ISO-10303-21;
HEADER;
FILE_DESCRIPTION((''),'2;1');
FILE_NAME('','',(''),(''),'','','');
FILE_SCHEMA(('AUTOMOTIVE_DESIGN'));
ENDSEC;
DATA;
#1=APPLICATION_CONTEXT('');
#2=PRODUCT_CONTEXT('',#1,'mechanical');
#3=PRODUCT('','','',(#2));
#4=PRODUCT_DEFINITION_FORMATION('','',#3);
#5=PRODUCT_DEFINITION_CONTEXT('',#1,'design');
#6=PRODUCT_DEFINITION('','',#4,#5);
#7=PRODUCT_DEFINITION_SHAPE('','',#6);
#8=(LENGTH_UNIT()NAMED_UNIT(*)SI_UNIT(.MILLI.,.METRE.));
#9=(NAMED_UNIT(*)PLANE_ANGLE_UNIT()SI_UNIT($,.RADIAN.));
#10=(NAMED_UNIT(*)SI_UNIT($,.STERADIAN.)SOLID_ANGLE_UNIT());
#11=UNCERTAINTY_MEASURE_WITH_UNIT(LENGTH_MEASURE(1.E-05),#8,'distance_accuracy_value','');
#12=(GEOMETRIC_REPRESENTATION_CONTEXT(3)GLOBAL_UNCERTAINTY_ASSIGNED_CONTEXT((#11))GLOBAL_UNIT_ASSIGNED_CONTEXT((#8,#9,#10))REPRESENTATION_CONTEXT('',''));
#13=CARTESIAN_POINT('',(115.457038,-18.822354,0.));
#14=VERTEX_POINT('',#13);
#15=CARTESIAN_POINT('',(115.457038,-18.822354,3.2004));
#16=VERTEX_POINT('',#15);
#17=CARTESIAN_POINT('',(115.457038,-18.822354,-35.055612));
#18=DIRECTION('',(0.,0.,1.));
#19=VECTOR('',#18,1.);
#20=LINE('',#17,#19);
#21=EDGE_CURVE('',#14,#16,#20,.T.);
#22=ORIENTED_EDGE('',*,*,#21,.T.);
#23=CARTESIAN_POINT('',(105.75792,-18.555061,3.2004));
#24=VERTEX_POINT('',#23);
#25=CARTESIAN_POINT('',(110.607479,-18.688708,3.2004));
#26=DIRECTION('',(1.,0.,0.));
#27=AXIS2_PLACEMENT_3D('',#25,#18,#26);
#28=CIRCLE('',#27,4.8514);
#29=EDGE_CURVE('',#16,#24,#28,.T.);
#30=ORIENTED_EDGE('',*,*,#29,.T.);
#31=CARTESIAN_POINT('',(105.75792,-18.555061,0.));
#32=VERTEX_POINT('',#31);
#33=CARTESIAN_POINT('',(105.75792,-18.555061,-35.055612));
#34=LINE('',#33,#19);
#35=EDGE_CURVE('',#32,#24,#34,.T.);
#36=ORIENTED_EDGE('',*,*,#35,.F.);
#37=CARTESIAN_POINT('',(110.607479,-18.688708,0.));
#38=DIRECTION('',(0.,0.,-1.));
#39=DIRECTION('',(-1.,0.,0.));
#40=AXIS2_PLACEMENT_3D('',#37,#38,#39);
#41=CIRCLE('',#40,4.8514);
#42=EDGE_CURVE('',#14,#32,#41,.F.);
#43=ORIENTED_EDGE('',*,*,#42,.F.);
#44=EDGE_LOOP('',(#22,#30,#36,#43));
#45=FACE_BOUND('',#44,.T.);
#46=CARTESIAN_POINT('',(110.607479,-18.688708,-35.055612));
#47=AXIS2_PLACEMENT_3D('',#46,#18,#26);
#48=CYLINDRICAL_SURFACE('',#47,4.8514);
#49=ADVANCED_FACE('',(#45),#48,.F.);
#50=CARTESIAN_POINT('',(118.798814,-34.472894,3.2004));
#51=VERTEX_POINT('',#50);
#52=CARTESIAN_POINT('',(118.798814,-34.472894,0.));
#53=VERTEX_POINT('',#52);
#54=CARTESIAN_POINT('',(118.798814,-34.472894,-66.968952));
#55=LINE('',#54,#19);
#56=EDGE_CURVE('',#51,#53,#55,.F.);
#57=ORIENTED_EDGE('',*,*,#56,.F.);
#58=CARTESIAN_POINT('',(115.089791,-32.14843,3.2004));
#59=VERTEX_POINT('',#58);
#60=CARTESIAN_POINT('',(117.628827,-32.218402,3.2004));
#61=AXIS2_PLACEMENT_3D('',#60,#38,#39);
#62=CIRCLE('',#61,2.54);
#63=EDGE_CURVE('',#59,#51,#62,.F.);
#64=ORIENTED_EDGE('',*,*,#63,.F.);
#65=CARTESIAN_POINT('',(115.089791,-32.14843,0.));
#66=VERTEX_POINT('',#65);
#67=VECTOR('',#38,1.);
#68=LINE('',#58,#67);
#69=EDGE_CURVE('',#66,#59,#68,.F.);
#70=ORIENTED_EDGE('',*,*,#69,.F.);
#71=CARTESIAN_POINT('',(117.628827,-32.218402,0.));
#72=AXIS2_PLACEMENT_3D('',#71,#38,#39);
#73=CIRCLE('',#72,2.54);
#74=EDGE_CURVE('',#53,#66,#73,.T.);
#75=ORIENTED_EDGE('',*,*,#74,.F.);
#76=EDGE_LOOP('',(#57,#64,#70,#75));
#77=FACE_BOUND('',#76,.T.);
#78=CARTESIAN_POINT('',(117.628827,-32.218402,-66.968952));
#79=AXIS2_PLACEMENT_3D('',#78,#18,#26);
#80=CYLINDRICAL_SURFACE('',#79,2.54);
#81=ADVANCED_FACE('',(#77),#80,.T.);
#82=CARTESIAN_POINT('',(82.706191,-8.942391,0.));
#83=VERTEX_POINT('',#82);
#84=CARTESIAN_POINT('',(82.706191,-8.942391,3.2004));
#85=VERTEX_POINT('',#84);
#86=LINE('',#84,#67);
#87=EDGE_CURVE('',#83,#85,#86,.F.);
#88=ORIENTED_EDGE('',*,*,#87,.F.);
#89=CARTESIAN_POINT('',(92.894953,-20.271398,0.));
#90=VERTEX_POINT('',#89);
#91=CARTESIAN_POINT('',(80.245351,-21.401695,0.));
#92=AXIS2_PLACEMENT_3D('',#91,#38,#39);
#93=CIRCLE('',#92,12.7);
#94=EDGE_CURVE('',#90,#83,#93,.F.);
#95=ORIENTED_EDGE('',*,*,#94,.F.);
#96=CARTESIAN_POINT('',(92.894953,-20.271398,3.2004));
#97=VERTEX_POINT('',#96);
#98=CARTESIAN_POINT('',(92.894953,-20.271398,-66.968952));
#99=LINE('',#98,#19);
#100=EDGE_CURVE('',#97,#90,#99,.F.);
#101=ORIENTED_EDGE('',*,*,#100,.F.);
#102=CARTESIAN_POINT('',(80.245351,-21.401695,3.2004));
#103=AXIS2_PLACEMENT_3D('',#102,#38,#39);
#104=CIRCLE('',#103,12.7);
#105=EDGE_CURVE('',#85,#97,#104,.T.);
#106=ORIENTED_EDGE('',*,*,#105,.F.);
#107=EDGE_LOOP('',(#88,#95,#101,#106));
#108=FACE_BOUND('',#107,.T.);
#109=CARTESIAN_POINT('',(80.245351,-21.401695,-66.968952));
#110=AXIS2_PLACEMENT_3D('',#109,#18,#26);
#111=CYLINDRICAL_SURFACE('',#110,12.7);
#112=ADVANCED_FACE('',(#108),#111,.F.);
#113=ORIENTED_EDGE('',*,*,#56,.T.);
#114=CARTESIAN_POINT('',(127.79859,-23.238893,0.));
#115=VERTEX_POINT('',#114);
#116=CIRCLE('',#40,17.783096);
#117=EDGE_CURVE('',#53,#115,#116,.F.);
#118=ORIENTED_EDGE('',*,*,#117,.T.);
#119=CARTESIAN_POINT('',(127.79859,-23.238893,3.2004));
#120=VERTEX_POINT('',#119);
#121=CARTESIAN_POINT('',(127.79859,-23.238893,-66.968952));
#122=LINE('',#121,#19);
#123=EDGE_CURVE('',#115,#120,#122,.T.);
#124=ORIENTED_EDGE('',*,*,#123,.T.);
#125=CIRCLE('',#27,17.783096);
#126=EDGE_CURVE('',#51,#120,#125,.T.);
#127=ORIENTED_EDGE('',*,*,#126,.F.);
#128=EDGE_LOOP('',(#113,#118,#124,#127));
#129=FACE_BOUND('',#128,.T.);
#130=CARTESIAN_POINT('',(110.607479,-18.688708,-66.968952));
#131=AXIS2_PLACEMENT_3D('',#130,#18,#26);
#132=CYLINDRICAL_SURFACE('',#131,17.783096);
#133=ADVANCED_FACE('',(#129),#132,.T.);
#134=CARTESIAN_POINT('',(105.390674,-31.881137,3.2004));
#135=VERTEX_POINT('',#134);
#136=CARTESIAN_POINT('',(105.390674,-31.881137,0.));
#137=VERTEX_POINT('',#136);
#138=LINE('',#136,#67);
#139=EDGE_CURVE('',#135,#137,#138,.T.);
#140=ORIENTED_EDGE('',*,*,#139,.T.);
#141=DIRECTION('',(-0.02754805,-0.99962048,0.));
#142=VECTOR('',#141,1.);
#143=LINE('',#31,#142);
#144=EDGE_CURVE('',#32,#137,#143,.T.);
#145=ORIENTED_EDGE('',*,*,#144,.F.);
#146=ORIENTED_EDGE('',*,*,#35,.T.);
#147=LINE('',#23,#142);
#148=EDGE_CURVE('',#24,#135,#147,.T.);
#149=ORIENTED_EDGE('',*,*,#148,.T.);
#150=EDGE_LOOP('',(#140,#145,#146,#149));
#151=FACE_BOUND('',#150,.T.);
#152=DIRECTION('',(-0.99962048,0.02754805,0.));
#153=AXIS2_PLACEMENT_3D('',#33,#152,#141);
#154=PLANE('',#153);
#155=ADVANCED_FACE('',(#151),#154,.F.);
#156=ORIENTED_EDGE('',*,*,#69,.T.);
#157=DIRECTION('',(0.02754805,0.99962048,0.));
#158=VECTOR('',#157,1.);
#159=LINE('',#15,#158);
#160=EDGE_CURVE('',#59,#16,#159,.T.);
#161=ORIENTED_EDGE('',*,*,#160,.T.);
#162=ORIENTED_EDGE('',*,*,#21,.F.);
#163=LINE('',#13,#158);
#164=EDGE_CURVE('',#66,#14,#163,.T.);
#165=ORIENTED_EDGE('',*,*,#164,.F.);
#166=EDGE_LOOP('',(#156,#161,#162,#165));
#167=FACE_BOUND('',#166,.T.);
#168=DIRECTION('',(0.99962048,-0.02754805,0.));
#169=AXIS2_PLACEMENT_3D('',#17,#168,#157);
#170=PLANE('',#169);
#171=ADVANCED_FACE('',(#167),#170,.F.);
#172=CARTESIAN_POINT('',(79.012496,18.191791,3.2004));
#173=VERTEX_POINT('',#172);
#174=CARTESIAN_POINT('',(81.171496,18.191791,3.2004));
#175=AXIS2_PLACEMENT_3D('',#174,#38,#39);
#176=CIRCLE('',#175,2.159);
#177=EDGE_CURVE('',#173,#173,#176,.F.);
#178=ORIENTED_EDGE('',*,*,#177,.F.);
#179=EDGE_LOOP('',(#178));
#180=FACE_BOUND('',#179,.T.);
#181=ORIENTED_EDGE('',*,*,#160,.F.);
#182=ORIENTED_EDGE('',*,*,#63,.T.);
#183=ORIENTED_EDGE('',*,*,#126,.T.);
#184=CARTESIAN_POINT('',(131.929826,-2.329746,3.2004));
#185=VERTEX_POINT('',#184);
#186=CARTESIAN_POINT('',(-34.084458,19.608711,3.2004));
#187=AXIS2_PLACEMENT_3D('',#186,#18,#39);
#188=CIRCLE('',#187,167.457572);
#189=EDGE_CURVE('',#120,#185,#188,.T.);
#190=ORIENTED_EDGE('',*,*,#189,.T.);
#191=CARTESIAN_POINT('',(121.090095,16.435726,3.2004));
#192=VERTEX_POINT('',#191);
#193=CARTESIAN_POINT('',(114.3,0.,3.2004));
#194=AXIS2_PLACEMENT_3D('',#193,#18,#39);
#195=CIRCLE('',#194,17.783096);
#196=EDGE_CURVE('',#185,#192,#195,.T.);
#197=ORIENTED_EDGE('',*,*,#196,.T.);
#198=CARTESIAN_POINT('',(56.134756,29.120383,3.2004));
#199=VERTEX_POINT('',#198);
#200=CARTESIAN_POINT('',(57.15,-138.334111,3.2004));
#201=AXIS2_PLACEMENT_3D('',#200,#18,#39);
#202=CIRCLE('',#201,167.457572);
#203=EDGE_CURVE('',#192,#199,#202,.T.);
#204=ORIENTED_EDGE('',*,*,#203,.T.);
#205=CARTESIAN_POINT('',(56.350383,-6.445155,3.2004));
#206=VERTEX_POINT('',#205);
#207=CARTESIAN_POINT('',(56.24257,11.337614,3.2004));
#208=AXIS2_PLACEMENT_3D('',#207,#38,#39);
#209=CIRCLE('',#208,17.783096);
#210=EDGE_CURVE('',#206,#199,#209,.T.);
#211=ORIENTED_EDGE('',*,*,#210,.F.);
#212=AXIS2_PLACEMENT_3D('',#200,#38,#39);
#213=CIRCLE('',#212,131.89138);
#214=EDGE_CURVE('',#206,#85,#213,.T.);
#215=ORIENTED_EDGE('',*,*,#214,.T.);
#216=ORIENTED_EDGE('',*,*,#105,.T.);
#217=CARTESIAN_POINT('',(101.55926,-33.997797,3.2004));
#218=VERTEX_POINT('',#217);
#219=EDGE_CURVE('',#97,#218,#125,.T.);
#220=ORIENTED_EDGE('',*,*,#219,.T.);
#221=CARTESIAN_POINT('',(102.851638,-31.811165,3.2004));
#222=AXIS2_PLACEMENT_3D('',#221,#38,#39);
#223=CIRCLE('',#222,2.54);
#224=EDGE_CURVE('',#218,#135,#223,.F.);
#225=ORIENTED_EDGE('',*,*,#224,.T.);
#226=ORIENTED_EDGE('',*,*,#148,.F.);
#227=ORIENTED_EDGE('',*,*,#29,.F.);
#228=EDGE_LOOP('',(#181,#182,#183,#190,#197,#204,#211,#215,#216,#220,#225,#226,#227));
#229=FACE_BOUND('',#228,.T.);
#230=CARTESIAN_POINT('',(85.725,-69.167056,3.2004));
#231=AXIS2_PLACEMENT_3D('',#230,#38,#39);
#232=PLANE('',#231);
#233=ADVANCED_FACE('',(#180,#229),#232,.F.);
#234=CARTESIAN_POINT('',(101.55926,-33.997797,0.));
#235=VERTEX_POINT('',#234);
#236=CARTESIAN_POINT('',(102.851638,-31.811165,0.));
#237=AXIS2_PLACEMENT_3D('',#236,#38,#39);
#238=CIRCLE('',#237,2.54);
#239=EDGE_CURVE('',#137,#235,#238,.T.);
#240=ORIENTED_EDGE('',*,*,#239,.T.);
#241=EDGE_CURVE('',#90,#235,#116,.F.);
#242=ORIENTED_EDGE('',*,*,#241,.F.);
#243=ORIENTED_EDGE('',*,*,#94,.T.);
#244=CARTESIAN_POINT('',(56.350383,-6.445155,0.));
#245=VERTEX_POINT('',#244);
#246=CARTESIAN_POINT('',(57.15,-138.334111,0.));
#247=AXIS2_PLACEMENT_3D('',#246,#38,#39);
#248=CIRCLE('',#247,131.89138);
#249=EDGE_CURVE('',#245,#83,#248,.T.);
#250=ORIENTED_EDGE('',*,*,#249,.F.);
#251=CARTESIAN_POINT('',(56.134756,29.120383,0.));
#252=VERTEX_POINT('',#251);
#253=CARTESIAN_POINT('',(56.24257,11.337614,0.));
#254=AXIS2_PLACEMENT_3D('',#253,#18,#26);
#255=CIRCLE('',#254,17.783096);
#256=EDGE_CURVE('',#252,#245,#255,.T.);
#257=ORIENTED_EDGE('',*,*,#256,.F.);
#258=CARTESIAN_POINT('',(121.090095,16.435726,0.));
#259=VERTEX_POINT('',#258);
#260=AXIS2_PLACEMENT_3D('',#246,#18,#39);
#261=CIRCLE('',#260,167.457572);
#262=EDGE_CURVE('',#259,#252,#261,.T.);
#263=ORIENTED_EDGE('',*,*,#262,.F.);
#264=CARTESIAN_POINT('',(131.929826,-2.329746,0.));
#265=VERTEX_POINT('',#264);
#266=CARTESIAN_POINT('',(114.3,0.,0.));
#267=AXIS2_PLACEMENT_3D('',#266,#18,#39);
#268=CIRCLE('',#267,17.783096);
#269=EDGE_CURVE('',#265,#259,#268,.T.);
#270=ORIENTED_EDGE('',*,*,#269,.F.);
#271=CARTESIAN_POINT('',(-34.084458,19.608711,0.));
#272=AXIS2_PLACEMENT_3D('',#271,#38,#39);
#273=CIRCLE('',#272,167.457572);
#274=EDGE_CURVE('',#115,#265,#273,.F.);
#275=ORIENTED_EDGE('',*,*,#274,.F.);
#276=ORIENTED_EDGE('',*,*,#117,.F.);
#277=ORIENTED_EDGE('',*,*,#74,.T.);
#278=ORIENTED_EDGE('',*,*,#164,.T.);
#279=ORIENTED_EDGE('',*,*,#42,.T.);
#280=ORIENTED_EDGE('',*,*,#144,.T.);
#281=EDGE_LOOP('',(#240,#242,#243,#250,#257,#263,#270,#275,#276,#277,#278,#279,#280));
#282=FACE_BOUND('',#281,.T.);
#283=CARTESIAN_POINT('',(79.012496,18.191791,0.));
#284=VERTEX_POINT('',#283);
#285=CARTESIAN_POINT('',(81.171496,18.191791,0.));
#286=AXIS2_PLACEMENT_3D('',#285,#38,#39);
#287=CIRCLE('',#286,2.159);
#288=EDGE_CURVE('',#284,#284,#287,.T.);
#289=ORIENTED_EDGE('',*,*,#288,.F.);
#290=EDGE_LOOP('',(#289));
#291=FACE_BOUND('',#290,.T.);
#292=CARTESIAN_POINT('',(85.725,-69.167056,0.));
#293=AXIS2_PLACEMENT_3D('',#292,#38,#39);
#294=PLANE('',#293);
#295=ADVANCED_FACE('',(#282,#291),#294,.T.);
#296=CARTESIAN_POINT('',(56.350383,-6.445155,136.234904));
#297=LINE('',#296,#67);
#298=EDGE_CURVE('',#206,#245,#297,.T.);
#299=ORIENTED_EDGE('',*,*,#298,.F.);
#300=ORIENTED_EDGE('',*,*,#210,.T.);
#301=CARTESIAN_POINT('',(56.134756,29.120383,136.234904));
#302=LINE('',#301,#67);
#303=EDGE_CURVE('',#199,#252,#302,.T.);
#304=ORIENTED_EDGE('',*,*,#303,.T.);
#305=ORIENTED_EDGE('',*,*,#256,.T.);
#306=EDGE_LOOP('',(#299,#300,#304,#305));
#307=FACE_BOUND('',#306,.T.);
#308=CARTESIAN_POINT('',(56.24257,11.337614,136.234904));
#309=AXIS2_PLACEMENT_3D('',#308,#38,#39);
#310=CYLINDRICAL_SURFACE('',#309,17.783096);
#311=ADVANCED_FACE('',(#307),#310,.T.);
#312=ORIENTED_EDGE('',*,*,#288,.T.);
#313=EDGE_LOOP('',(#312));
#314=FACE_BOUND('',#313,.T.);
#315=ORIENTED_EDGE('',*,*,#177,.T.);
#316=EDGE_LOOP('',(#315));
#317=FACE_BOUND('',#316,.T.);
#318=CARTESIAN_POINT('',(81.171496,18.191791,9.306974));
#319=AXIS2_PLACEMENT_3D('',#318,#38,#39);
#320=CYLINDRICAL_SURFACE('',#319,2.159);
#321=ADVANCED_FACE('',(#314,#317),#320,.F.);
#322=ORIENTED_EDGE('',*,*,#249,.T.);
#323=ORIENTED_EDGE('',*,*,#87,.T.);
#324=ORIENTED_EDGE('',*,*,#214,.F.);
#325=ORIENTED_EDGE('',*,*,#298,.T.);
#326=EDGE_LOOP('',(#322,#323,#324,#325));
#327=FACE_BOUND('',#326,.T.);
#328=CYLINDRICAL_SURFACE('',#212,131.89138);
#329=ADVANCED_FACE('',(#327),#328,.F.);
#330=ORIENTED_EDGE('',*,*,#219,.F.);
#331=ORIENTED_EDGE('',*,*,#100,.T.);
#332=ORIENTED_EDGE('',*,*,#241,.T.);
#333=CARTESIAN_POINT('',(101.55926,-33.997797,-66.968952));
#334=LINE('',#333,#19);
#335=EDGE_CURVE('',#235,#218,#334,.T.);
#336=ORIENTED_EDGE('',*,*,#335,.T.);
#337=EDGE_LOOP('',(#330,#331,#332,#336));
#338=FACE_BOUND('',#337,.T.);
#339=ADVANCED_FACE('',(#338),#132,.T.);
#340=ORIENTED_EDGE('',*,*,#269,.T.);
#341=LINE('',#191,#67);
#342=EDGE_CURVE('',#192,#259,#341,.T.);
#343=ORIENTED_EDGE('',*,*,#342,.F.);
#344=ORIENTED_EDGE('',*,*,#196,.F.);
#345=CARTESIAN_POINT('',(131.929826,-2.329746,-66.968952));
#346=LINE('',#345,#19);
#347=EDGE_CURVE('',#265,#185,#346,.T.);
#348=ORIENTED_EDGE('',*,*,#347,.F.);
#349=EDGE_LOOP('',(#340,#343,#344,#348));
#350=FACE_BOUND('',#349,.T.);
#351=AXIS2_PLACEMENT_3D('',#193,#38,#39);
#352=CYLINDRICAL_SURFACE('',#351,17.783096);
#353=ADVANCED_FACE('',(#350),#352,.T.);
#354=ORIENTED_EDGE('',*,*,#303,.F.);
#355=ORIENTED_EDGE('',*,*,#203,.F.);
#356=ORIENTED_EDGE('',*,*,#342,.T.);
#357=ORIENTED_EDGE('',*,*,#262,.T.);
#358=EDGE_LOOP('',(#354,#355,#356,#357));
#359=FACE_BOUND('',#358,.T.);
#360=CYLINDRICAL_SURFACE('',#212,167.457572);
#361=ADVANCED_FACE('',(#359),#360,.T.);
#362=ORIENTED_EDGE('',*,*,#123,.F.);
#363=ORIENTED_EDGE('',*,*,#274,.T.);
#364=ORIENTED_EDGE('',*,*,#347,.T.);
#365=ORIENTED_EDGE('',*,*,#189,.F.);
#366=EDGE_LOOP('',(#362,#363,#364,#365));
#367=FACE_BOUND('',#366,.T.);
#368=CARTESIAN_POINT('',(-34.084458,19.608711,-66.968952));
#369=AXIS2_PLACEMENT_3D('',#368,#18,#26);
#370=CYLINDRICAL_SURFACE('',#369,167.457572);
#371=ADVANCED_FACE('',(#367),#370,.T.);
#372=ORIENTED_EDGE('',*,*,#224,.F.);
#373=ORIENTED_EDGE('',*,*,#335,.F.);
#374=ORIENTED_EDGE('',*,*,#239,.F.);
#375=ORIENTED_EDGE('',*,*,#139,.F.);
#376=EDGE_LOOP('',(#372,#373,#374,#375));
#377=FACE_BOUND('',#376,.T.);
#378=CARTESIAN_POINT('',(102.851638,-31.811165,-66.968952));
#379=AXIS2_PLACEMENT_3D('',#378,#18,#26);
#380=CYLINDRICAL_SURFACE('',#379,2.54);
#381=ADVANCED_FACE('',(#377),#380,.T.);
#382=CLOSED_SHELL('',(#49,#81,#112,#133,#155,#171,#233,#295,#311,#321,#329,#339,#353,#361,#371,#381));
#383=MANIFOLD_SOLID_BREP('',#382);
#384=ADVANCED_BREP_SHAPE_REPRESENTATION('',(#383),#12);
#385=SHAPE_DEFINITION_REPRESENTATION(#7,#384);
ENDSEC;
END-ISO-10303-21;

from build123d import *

# Parameters (mm, degrees)
BOSS_EXTRUDE1_DEPTH = 3.2004
BOSS_EXTRUDE2_START = -3.2004
BOSS_EXTRUDE2_DEPTH = 3.2004
FILLET1_R           = 12.7
CUT_EXTRUDE3_DEPTH  = 3.2004
FILLET2_R           = 2.54
SKETCH9_R           = 2.159
CUT_EXTRUDE4_DEPTH  = 3.2004
CUT_EXTRUDE5_DEPTH  = 3.2004


with BuildPart() as part:
    # Sketch1 → Boss-Extrude1 (new body)
    with BuildSketch(Plane.XY):
        with BuildLine():
            ThreePointArc((-6.790095085, 16.435726481), (57.15, 29.123460788), (121.090095085, 16.435726481))
            ThreePointArc((121.090095085, 16.435726481), (130.735726481, -6.790095085), (107.509904915, -16.435726481))
            ThreePointArc((107.509904915, -16.435726481), (57.15, -6.442730812), (6.790095085, -16.435726481))
            ThreePointArc((6.790095085, -16.435726481), (-16.435726481, -6.790095085), (-6.790095085, 16.435726481))
        make_face()
    extrude(amount=BOSS_EXTRUDE1_DEPTH)

    # Sketch3 → Boss-Extrude2 (add)
    with BuildSketch(Plane.XY.offset(3.2004).offset(BOSS_EXTRUDE2_START)):
        with BuildLine():
            ThreePointArc((96.670173634, 2.329746452), (116.629746452, 17.629826366), (131.929826366, -2.329746452))
            ThreePointArc((131.929826366, -2.329746452), (130.197200475, -12.850112517), (127.798590387, -23.238893209))
            ThreePointArc((127.798590387, -23.238893209), (106.05729345, -35.879818808), (93.416367852, -14.138521872))
            ThreePointArc((93.416367852, -14.138521872), (95.305538892, -5.956206736), (96.670173634, 2.329746452))
        make_face()
    extrude(amount=BOSS_EXTRUDE2_DEPTH)

    # Fillet1
    fillet1_edges = [part.edges().sort_by_distance(p)[0] for p in [
        (94.035611584, -11.705568295, 1.6002),
    ]]
    fillet(fillet1_edges, radius=FILLET1_R)

    # Sketch7 → Cut-Extrude3 (cut)
    with BuildSketch(Plane.XY.offset(3.2004)):
        with BuildLine():
            Line((115.457037918, -18.822354151), (114.672565979, -47.28804272))
            Line((114.672565979, -47.28804272), (104.973448381, -47.020749498))
            Line((104.973448381, -47.020749498), (105.75792032, -18.55506093))
            ThreePointArc((105.75792032, -18.55506093), (110.74112573, -13.839148742), (115.457037918, -18.822354151))
        make_face()
    extrude(amount=-CUT_EXTRUDE3_DEPTH, mode=Mode.SUBTRACT)

    # Fillet2
    fillet2_edges = [part.edges().sort_by_distance(p)[0] for p in [
        (105.286613182, -35.65711589, 1.6002),
        (114.98573078, -35.924409111, 1.6002),
    ]]
    fillet(fillet2_edges, radius=FILLET2_R)

    # Sketch9 → Cut-Extrude4 (cut)
    with BuildSketch(Plane(origin=(0, 0, 0), x_dir=(-1, 0, 0), z_dir=(0, 0, -1))):
        with Locations((-81.171495532, 18.191790938)):
            Circle(SKETCH9_R)
    extrude(amount=-CUT_EXTRUDE4_DEPTH, mode=Mode.SUBTRACT)

    # Sketch10 → Cut-Extrude5 (cut)
    with BuildSketch(Plane(origin=(0, 0, 0), x_dir=(-1, 0, 0), z_dir=(0, 0, -1))):
        with BuildLine():
            Line((-56.134756458, 29.120383205), (25.761959957, 49.584410296))
            Line((25.761959957, 49.584410296), (33.027370327, -48.953888357))
            Line((33.027370327, -48.953888357), (-56.350383293, -6.445154749))
            ThreePointArc((-56.350383293, -6.445154749), (-38.459800898, 11.22980081), (-56.134756458, 29.120383205))
        make_face()
    extrude(amount=-CUT_EXTRUDE5_DEPTH, mode=Mode.SUBTRACT)


solid = part.part
